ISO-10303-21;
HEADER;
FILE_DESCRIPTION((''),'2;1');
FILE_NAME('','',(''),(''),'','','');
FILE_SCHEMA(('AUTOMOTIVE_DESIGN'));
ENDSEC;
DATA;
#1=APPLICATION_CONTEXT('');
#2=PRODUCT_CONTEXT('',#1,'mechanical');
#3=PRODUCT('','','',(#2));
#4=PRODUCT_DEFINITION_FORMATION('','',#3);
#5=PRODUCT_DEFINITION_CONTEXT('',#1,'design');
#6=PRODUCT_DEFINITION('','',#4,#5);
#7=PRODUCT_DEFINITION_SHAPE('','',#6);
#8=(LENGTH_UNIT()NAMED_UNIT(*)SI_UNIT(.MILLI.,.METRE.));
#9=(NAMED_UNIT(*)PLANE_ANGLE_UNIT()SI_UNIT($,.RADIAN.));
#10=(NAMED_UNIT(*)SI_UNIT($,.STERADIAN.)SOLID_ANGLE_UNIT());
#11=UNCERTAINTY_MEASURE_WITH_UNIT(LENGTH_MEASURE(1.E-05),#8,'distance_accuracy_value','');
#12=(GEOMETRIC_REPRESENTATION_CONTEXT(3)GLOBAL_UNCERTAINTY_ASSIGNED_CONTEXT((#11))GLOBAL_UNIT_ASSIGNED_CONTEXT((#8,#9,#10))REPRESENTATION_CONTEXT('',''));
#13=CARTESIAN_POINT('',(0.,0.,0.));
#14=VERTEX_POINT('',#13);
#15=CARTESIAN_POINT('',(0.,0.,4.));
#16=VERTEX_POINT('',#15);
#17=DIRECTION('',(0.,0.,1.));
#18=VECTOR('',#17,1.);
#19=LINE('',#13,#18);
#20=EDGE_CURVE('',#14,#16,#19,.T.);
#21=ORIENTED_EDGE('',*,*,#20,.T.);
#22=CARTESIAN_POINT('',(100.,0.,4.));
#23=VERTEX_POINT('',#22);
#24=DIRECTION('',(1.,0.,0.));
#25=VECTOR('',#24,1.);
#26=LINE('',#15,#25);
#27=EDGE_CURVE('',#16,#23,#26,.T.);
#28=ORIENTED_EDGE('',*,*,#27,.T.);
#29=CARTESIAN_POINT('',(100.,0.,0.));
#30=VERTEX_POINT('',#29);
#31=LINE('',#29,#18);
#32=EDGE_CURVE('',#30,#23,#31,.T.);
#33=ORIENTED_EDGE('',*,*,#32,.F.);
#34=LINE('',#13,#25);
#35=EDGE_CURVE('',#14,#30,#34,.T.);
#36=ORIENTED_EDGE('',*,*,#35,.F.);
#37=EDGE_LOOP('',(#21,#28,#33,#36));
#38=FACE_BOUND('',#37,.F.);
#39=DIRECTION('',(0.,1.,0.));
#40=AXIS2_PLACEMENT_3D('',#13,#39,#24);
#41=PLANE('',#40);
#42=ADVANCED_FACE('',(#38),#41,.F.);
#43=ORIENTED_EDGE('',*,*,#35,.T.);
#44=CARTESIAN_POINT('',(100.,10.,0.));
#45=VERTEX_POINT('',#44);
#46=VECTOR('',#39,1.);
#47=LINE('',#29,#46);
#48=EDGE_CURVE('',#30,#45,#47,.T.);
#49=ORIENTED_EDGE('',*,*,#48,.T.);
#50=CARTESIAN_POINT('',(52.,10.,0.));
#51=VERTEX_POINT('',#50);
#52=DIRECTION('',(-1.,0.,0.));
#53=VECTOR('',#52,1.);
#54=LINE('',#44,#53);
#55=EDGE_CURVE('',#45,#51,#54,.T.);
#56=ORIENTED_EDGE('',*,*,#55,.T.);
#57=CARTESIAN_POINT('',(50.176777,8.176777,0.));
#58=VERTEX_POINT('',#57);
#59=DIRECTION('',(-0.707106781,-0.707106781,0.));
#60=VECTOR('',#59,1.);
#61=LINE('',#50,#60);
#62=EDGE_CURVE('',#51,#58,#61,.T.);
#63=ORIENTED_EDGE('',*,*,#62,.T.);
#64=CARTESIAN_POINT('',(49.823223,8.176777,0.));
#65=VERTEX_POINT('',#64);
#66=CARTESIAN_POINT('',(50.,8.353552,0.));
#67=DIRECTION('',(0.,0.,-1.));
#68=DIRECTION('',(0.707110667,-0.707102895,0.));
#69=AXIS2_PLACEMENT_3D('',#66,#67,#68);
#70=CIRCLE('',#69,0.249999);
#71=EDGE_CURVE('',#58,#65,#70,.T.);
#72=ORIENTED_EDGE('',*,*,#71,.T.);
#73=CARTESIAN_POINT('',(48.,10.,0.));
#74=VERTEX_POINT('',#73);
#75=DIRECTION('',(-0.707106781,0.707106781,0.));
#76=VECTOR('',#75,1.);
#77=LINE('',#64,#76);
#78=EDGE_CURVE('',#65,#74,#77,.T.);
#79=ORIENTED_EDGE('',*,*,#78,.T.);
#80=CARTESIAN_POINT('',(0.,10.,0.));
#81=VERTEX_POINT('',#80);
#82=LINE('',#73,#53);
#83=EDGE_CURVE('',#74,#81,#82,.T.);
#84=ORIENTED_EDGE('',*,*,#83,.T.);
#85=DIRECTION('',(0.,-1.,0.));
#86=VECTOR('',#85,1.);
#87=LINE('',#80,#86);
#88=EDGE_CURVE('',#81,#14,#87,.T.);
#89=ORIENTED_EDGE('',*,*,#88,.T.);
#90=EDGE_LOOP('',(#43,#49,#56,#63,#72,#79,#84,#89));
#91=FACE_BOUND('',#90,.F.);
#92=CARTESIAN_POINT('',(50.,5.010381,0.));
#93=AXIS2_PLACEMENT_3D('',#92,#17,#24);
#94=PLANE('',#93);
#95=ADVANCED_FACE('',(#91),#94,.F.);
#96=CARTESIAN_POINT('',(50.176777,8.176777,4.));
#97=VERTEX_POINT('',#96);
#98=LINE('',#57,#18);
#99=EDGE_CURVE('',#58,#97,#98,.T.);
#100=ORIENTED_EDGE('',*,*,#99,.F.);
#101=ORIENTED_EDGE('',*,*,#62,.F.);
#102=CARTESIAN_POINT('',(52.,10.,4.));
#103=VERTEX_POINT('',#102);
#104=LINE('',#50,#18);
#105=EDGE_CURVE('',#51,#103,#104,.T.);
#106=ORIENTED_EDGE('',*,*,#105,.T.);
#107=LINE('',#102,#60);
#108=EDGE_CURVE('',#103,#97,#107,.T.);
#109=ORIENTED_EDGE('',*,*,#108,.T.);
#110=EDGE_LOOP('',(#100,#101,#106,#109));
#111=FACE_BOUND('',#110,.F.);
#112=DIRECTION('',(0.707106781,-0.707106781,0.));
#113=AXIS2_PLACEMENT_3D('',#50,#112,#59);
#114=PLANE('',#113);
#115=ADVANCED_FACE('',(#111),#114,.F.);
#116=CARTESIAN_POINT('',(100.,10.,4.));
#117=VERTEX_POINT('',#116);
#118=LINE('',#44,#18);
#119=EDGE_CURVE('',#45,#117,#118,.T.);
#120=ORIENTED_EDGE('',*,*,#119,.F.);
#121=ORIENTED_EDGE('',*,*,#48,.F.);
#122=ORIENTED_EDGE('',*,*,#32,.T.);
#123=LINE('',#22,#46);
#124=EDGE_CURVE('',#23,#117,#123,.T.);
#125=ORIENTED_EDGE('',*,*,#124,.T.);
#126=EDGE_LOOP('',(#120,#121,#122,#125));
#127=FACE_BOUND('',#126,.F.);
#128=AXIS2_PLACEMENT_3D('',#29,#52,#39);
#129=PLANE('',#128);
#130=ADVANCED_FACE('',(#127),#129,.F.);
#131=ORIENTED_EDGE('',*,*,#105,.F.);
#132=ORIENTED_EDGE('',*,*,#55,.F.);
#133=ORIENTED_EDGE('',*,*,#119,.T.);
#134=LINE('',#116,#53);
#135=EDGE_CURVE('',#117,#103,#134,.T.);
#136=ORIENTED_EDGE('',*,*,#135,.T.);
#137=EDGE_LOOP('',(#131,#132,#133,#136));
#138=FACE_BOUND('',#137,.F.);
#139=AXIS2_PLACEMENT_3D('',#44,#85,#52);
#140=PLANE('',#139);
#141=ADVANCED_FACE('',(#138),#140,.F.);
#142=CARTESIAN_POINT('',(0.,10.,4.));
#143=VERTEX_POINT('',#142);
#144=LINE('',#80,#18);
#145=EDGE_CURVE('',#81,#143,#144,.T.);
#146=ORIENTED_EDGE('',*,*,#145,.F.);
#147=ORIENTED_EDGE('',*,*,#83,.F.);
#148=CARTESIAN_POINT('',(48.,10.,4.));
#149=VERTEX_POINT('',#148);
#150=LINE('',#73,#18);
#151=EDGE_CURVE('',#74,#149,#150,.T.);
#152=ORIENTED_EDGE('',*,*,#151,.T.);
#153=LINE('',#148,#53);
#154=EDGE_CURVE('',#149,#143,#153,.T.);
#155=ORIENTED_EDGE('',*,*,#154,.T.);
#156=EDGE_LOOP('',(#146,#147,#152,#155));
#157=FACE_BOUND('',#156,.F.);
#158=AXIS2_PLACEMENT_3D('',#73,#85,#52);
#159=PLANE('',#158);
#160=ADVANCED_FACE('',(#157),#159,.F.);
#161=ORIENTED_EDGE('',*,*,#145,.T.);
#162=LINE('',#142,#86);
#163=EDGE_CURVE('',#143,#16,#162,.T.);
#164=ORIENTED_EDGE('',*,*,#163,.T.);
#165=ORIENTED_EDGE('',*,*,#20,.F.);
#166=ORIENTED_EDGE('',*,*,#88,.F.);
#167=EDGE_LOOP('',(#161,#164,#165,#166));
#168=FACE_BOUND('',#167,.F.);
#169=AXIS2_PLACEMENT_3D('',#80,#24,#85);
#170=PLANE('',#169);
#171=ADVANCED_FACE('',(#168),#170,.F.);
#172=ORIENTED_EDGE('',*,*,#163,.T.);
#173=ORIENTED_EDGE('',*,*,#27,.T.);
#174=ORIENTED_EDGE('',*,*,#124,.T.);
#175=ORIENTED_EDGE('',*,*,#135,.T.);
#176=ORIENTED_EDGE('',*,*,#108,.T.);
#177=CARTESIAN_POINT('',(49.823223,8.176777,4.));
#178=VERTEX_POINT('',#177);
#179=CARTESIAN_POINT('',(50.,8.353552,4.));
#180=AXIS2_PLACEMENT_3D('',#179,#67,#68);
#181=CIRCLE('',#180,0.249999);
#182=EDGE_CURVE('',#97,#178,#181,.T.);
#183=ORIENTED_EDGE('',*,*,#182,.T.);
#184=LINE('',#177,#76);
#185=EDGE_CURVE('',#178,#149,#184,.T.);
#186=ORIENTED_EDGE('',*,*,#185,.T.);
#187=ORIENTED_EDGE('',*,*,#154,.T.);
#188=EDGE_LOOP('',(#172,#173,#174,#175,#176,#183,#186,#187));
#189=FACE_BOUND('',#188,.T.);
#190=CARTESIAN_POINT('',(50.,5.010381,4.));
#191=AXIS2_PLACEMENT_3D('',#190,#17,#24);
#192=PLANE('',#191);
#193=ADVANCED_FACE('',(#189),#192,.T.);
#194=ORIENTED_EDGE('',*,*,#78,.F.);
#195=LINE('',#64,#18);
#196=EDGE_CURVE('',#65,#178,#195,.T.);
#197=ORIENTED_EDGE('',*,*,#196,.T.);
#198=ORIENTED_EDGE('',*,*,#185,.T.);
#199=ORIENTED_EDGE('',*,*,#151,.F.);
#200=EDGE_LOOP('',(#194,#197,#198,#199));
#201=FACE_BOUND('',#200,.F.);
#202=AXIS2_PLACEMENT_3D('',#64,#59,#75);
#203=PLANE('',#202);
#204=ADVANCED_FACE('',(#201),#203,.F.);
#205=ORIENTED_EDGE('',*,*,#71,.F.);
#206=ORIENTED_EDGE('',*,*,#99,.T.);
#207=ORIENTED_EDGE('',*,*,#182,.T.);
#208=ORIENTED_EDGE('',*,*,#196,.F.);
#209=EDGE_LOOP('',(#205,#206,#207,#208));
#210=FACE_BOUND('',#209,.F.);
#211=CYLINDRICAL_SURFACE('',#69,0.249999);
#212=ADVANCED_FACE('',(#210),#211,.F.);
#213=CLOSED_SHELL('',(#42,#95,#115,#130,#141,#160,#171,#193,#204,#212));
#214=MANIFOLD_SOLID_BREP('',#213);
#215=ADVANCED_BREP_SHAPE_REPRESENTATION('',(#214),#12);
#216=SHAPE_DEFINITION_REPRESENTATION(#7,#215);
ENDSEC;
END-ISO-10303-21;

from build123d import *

# Parameters (mm, degrees)
F1_DEPTH = 4


with BuildPart() as f1:
    # F0 (on Top) → F1 (new body)
    with BuildSketch(Plane.XY):
        with BuildLine():
            Line((0, 10), (0, 0))
            Line((0, 0), (100, 0))
            Line((100, 0), (100, 10))
            Line((100, 10), (52, 10))
            Line((52, 10), (50.176777, 8.176777))
            ThreePointArc((50.176777, 8.176777), (50, 8.103553), (49.823223, 8.176777))
            Line((49.823223, 8.176777), (48, 10))
            Line((48, 10), (0, 10))
        make_face()
    extrude(amount=F1_DEPTH)


solid = f1.part
